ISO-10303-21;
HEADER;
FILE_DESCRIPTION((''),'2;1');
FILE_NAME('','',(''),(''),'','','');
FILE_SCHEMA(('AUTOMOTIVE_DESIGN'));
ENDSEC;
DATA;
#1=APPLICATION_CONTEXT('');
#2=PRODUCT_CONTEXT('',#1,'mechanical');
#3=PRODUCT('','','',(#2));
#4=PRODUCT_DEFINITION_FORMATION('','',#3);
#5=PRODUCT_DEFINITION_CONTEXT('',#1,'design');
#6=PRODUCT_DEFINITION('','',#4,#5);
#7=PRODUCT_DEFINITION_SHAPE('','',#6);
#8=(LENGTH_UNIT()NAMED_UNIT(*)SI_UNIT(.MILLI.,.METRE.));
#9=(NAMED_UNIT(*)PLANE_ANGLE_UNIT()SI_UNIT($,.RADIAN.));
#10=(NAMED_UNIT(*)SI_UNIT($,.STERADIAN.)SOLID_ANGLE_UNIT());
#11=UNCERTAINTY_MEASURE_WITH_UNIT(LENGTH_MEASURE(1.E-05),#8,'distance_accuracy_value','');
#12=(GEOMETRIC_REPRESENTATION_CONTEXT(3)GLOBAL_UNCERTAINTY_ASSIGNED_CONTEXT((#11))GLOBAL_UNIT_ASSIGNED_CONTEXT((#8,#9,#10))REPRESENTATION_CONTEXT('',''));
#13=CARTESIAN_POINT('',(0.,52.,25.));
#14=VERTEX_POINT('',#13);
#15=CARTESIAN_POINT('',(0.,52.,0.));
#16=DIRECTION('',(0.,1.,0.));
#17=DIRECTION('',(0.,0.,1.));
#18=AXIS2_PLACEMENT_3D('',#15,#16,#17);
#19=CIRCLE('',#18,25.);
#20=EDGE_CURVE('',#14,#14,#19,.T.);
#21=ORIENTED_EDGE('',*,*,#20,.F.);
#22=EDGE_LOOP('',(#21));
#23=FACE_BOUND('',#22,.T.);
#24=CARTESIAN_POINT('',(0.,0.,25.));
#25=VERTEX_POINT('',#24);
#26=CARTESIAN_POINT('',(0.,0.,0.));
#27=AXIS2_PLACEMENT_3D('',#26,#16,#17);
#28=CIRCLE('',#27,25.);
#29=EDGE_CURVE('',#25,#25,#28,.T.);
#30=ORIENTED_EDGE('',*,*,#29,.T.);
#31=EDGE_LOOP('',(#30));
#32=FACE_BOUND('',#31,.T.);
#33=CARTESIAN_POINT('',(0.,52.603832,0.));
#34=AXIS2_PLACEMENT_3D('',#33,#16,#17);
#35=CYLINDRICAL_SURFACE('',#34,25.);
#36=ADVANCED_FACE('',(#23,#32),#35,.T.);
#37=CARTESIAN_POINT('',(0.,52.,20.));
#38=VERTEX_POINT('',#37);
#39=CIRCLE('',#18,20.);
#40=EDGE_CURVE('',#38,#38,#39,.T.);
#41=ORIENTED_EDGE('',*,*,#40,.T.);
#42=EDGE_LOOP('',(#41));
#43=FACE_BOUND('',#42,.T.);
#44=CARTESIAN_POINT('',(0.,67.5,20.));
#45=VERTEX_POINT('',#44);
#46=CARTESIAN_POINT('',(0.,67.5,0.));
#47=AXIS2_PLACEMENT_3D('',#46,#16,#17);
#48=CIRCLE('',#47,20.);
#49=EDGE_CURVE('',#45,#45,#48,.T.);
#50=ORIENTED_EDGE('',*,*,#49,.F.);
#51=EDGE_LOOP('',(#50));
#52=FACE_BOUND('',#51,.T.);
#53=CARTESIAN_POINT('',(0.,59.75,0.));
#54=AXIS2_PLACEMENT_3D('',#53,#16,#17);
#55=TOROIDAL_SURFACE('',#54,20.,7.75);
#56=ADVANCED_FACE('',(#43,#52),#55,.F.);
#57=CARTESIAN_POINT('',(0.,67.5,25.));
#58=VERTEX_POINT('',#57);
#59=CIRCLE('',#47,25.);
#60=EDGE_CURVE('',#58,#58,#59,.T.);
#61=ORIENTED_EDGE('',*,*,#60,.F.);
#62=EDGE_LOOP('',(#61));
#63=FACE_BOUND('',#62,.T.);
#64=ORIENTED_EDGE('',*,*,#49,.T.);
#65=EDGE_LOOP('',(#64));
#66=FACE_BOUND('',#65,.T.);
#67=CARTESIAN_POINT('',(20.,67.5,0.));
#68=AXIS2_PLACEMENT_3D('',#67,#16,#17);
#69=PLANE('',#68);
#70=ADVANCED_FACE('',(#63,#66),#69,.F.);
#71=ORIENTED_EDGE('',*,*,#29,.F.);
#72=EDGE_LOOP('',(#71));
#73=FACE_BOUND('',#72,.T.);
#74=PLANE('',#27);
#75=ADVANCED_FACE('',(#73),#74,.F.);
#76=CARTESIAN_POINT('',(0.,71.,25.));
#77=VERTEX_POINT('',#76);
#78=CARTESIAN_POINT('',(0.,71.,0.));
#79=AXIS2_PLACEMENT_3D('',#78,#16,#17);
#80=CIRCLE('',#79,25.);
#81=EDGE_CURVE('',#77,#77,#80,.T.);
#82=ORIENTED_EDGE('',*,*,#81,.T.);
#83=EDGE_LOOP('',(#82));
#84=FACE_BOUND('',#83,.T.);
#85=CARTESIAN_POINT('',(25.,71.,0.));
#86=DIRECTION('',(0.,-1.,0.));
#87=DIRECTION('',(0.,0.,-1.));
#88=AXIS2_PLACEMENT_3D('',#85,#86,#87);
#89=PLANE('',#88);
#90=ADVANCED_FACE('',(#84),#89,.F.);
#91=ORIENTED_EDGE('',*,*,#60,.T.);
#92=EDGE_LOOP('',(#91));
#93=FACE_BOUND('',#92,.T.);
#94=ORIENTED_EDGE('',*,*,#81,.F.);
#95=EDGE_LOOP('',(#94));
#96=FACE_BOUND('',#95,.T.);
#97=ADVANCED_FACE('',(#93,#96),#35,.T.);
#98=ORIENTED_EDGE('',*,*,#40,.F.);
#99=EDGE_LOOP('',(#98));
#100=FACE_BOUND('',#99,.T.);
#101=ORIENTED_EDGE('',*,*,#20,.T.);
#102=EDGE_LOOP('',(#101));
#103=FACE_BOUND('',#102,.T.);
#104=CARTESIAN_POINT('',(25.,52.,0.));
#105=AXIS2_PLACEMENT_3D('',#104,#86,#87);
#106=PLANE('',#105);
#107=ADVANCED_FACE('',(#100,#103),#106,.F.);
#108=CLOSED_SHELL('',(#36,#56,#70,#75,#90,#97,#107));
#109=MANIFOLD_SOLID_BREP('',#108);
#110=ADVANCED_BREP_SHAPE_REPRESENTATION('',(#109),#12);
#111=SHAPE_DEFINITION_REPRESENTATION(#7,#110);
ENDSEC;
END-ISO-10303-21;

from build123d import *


with BuildPart() as part:
    # Sketch1 → Revolve1 (revolve)
    with BuildSketch(Plane.XY, mode=Mode.PRIVATE) as revolve1_sk:
        with BuildLine():
            Line((0, 0), (25, 0))
            Line((25, 0), (25, 52))
            Line((25, 52), (20, 52))
            ThreePointArc((20, 52), (12.25, 59.75), (20, 67.5))
            Line((20, 67.5), (25, 67.5))
            Line((25, 67.5), (25, 71))
            Line((25, 71), (0, 71))
            Line((0, 71), (0, 0))
        make_face()
    revolve(revolve1_sk.sketch.rotate(Axis((0, 52.603832235, 0), (0, -1, 0)), 90), axis=Axis((0, 52.603832235, 0), (0, -1, 0)))


solid = part.part
